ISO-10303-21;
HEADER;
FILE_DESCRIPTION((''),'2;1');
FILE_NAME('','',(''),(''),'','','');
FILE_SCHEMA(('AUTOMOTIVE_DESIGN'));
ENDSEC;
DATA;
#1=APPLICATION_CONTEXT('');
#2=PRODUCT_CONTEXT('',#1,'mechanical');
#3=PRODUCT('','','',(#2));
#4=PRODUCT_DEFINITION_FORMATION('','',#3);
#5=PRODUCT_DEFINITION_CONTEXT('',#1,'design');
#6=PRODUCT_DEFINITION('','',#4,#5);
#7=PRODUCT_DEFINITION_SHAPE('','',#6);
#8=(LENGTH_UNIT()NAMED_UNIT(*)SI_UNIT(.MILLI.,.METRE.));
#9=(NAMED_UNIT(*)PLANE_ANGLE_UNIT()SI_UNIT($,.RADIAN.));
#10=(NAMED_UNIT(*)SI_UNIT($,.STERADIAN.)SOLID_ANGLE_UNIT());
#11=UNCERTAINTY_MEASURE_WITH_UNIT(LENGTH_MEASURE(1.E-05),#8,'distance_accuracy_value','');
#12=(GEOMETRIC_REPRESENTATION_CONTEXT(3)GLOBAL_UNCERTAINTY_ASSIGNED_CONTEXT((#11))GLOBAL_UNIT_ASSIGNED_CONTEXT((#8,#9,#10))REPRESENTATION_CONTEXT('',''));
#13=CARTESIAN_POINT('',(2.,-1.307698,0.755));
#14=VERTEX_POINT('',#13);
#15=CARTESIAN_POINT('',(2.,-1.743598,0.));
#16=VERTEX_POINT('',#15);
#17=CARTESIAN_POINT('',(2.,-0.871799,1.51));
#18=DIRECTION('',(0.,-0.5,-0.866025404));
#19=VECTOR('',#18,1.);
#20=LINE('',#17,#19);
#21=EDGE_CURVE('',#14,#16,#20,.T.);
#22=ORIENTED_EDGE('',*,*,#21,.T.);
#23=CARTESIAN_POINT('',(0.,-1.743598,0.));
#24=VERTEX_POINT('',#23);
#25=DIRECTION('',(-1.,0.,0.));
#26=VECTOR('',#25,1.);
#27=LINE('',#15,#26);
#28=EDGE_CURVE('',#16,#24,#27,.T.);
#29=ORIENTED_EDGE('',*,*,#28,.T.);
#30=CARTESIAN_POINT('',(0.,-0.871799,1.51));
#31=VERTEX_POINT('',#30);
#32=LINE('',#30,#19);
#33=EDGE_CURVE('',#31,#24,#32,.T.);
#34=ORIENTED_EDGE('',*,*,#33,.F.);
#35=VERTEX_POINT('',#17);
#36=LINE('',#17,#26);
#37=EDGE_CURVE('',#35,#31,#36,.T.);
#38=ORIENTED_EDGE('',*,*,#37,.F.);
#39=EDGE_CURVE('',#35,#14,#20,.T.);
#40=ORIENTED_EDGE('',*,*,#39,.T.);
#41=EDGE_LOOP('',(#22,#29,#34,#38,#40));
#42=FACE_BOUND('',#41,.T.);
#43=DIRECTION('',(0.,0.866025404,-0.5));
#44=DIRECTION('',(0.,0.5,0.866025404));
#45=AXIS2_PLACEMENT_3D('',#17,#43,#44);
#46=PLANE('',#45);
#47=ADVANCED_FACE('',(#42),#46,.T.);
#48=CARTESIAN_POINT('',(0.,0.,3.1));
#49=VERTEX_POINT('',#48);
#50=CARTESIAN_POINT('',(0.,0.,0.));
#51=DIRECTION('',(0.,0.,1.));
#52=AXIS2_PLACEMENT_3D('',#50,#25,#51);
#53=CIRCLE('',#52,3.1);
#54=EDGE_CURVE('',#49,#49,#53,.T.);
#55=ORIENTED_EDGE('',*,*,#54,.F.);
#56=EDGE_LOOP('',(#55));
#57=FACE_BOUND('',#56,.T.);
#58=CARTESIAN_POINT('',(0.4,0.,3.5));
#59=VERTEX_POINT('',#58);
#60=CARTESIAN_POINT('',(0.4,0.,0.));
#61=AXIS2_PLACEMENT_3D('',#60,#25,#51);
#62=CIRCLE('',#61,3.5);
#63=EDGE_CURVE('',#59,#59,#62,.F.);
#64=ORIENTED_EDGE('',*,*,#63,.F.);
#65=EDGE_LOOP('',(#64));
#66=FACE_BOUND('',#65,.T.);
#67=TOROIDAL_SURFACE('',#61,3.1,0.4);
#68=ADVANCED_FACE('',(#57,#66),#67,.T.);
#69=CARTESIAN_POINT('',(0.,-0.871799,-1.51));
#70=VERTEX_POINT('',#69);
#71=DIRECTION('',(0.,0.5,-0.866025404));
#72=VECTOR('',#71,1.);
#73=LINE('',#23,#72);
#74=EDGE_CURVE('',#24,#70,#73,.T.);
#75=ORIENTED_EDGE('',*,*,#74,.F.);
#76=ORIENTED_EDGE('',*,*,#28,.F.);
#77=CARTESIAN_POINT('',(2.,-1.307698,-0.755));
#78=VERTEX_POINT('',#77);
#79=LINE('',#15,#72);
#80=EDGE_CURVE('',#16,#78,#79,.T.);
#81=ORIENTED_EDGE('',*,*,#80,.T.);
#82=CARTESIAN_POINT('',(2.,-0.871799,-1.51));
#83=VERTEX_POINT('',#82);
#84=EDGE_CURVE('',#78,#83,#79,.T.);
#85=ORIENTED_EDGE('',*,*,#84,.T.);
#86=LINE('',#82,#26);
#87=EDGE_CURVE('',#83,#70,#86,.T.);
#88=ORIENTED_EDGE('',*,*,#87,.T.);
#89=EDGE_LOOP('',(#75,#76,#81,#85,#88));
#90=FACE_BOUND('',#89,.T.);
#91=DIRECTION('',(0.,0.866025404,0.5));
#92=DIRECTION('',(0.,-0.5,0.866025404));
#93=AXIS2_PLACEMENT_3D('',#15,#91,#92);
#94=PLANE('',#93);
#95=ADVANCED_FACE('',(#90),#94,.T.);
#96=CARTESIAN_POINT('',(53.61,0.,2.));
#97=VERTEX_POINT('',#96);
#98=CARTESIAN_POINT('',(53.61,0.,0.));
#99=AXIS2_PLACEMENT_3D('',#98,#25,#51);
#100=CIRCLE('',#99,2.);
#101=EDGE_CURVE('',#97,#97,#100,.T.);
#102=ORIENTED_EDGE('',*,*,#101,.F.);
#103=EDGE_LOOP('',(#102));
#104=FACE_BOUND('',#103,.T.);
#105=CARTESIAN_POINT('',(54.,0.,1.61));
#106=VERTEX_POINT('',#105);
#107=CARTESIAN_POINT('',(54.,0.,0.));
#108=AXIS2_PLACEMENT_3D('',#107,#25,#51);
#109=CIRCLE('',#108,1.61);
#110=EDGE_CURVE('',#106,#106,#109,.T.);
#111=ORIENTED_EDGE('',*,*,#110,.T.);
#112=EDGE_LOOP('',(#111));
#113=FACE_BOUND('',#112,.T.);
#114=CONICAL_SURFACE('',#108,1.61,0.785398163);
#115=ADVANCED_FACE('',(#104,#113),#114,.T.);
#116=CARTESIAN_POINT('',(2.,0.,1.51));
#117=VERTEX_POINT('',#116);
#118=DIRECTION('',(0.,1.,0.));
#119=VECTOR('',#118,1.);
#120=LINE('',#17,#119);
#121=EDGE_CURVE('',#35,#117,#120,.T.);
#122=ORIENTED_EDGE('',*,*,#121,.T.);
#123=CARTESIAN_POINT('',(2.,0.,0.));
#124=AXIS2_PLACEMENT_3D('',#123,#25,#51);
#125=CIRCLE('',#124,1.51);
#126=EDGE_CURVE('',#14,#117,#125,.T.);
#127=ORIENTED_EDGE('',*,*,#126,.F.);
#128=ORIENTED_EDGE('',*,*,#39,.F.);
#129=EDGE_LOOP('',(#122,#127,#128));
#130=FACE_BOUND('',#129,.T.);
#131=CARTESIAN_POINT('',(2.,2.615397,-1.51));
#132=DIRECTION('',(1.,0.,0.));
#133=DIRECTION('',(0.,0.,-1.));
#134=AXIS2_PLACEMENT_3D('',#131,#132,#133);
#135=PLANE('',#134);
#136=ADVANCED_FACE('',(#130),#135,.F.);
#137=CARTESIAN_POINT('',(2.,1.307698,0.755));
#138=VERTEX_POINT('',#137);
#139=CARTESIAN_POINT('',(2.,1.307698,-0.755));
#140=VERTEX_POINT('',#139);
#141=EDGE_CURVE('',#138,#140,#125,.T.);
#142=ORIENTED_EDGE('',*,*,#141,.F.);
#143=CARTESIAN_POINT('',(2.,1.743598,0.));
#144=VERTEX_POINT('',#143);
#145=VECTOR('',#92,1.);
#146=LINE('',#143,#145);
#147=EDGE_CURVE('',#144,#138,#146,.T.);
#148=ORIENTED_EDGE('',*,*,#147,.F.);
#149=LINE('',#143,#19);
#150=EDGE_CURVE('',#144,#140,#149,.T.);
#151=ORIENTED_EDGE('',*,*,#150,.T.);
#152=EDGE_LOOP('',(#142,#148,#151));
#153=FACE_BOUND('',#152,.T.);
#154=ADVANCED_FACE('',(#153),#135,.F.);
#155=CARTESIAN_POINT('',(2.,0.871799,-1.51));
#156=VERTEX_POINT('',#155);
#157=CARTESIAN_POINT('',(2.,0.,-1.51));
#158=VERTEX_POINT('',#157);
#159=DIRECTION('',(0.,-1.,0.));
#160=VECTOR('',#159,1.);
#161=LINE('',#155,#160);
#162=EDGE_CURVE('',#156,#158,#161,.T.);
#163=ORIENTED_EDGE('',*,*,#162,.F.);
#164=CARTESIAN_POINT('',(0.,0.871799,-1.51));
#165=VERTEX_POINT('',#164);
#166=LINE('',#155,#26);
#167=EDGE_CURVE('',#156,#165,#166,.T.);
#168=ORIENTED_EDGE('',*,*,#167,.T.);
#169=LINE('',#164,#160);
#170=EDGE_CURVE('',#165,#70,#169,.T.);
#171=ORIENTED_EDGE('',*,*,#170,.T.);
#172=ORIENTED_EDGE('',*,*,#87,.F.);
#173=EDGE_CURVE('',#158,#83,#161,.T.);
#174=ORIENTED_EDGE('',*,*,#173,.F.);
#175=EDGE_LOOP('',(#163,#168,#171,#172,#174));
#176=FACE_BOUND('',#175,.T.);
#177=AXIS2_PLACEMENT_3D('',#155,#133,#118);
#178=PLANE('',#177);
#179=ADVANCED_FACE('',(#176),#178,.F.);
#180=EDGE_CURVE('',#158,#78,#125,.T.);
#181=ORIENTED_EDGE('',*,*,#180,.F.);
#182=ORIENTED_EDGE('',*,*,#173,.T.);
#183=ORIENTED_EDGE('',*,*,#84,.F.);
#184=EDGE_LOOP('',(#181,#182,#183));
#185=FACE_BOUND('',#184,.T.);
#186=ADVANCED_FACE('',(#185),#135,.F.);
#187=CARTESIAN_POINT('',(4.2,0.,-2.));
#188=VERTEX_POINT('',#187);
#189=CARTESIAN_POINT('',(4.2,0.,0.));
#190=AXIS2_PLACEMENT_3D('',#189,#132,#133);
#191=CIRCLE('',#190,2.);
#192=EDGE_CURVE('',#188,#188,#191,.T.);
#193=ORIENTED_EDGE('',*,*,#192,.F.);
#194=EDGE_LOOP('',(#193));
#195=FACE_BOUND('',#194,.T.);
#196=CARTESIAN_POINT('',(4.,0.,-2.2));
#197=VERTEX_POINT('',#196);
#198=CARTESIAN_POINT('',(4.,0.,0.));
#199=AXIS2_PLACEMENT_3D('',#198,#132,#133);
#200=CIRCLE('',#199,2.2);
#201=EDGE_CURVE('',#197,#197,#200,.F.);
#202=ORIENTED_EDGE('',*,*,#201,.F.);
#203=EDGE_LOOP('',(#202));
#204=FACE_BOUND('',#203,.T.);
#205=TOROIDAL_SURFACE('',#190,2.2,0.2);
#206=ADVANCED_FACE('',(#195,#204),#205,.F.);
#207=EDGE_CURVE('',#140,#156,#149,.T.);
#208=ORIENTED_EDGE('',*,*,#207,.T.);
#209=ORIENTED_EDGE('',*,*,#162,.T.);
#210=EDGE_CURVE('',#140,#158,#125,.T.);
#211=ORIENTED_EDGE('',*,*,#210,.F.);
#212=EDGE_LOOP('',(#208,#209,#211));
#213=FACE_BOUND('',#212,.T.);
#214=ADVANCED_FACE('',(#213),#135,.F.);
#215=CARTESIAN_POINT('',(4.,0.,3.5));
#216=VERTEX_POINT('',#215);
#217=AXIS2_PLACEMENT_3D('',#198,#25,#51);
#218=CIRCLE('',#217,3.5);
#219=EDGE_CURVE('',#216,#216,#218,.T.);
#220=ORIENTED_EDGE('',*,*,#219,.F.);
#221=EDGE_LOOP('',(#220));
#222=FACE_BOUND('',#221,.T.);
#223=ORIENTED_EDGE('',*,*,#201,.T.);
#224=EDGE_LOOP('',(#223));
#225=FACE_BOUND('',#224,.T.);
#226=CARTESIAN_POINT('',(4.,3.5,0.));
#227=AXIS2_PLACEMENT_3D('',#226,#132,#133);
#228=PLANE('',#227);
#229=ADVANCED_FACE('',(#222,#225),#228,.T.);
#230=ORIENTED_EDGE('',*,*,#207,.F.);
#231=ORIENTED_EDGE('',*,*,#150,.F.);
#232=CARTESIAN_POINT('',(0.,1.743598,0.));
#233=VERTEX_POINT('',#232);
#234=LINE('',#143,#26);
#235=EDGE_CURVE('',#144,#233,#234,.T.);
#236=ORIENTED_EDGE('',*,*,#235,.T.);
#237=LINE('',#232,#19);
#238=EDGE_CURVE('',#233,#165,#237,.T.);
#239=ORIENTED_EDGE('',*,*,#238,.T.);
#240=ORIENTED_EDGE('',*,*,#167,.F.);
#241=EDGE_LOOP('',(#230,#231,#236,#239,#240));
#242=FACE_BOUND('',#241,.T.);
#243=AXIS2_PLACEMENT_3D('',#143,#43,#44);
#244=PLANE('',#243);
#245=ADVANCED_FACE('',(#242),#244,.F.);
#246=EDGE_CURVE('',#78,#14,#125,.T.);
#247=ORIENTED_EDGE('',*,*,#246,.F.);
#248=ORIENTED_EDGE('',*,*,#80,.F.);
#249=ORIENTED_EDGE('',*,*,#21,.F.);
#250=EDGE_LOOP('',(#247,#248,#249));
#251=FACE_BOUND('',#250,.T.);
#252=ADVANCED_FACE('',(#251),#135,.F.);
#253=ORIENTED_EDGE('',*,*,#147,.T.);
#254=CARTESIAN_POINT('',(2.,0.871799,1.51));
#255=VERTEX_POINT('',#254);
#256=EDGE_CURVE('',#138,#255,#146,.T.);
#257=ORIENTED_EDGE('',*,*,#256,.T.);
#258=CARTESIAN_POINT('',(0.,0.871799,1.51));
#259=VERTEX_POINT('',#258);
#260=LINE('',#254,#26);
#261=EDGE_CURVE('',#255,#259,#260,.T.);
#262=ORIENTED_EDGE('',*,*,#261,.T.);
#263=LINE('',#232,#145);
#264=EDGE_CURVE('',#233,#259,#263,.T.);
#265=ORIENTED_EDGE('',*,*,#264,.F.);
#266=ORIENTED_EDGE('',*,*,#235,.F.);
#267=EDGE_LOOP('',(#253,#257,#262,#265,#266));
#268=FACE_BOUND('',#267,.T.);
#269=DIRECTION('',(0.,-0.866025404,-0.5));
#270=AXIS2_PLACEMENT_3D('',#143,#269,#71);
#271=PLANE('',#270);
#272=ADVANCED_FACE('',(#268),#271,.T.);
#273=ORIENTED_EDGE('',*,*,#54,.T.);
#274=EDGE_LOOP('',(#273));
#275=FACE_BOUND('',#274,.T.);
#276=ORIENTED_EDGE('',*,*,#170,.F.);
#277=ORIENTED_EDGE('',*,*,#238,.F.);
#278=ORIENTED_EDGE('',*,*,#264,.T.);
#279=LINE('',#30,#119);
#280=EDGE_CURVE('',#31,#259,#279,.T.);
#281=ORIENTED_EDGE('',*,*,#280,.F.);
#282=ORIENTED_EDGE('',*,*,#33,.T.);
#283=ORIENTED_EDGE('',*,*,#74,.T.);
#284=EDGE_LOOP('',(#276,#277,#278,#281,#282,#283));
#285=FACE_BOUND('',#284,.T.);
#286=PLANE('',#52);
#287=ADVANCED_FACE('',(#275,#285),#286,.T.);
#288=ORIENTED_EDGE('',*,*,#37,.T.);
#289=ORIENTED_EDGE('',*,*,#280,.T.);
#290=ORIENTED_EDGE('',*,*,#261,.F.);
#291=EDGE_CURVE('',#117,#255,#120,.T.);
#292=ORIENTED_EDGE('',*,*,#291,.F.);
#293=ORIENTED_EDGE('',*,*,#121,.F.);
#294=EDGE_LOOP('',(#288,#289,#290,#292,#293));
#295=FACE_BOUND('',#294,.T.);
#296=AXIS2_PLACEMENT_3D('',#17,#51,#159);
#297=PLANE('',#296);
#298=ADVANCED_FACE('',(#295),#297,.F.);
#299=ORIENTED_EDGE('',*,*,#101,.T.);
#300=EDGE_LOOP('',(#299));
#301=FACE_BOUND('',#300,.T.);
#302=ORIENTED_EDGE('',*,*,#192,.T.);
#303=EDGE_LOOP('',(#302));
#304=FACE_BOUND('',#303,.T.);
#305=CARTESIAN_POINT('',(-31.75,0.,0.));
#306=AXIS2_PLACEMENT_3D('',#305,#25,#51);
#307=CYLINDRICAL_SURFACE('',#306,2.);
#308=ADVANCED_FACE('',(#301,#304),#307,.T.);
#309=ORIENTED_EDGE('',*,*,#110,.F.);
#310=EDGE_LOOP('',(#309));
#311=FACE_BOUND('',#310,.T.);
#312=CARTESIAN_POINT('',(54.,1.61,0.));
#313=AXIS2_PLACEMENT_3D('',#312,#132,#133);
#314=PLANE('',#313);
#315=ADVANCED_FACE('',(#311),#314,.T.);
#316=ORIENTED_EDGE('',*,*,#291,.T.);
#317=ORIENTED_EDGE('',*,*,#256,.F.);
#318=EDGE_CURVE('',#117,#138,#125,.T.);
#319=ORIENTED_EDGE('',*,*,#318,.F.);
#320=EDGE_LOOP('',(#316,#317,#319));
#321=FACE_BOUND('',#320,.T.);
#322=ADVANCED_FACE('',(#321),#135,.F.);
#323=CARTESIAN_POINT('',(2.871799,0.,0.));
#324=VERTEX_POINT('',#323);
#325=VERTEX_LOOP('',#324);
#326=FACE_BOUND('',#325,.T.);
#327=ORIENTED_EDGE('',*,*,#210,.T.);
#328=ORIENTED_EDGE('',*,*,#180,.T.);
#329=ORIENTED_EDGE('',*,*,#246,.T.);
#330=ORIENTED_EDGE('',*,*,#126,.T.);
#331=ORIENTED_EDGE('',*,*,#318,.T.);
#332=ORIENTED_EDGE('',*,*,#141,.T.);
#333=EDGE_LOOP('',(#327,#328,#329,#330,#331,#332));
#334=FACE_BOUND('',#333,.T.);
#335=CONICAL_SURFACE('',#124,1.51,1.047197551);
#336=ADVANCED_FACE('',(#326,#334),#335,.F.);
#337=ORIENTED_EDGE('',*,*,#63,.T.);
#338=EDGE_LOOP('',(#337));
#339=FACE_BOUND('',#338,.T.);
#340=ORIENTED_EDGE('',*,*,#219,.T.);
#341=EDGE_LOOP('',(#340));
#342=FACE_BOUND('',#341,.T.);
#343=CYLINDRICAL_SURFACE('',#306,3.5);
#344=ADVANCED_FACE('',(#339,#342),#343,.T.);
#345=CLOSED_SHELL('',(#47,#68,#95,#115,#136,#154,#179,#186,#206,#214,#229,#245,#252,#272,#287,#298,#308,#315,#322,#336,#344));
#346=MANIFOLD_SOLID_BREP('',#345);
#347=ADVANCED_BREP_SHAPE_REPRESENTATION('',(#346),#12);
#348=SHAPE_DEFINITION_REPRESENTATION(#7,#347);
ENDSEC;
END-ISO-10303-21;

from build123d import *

# Parameters (mm, degrees)
FILLET1_R   = 0.2
FILLET2_R   = 0.4
HEX_2_DEPTH = 2


with BuildPart() as part:
    # BodySke → Base-Revolve (revolve)
    with BuildSketch(Plane.XY):
        Polygon((0, 0), (0, 3.5), (4, 3.5), (4, 2), (53.61, 2), (54, 1.61), (54, 0), align=None)
    revolve(axis=Axis((-31.75, 0, 0), (1, 0, 0)))

    # Fillet1
    fillet1_edges = [part.edges().sort_by_distance(p)[0] for p in [
        (4, -2, 0),
    ]]
    fillet(fillet1_edges, radius=FILLET1_R)

    # Fillet2
    fillet2_edges = [part.edges().sort_by_distance(p)[0] for p in [
        (0, -3.5, 0),
    ]]
    fillet(fillet2_edges, radius=FILLET2_R)

    # Sketch2 → Hex-PreBroach (revolve, cut)
    with BuildSketch(Plane.XY):
        Polygon((0, 1.51), (2, 1.51), (2.871798906, 0), (0, 0), align=None)
    revolve(axis=Axis((0, 0, 0), (1, 0, 0)), mode=Mode.SUBTRACT)

    # Sketch3 → Hex 2 (cut)
    with BuildSketch(Plane(origin=(0, 0, 0), x_dir=(0, 0.5, 0.866025404), z_dir=(-1, 0, 0))):
        Polygon((0.871798906, 1.51), (-0.871798906, 1.51), (-1.743597813, 0), (-0.871798906, -1.51), (0.871798906, -1.51), (1.743597813, 0), align=None)
    extrude(amount=-HEX_2_DEPTH, mode=Mode.SUBTRACT)


solid = part.part
